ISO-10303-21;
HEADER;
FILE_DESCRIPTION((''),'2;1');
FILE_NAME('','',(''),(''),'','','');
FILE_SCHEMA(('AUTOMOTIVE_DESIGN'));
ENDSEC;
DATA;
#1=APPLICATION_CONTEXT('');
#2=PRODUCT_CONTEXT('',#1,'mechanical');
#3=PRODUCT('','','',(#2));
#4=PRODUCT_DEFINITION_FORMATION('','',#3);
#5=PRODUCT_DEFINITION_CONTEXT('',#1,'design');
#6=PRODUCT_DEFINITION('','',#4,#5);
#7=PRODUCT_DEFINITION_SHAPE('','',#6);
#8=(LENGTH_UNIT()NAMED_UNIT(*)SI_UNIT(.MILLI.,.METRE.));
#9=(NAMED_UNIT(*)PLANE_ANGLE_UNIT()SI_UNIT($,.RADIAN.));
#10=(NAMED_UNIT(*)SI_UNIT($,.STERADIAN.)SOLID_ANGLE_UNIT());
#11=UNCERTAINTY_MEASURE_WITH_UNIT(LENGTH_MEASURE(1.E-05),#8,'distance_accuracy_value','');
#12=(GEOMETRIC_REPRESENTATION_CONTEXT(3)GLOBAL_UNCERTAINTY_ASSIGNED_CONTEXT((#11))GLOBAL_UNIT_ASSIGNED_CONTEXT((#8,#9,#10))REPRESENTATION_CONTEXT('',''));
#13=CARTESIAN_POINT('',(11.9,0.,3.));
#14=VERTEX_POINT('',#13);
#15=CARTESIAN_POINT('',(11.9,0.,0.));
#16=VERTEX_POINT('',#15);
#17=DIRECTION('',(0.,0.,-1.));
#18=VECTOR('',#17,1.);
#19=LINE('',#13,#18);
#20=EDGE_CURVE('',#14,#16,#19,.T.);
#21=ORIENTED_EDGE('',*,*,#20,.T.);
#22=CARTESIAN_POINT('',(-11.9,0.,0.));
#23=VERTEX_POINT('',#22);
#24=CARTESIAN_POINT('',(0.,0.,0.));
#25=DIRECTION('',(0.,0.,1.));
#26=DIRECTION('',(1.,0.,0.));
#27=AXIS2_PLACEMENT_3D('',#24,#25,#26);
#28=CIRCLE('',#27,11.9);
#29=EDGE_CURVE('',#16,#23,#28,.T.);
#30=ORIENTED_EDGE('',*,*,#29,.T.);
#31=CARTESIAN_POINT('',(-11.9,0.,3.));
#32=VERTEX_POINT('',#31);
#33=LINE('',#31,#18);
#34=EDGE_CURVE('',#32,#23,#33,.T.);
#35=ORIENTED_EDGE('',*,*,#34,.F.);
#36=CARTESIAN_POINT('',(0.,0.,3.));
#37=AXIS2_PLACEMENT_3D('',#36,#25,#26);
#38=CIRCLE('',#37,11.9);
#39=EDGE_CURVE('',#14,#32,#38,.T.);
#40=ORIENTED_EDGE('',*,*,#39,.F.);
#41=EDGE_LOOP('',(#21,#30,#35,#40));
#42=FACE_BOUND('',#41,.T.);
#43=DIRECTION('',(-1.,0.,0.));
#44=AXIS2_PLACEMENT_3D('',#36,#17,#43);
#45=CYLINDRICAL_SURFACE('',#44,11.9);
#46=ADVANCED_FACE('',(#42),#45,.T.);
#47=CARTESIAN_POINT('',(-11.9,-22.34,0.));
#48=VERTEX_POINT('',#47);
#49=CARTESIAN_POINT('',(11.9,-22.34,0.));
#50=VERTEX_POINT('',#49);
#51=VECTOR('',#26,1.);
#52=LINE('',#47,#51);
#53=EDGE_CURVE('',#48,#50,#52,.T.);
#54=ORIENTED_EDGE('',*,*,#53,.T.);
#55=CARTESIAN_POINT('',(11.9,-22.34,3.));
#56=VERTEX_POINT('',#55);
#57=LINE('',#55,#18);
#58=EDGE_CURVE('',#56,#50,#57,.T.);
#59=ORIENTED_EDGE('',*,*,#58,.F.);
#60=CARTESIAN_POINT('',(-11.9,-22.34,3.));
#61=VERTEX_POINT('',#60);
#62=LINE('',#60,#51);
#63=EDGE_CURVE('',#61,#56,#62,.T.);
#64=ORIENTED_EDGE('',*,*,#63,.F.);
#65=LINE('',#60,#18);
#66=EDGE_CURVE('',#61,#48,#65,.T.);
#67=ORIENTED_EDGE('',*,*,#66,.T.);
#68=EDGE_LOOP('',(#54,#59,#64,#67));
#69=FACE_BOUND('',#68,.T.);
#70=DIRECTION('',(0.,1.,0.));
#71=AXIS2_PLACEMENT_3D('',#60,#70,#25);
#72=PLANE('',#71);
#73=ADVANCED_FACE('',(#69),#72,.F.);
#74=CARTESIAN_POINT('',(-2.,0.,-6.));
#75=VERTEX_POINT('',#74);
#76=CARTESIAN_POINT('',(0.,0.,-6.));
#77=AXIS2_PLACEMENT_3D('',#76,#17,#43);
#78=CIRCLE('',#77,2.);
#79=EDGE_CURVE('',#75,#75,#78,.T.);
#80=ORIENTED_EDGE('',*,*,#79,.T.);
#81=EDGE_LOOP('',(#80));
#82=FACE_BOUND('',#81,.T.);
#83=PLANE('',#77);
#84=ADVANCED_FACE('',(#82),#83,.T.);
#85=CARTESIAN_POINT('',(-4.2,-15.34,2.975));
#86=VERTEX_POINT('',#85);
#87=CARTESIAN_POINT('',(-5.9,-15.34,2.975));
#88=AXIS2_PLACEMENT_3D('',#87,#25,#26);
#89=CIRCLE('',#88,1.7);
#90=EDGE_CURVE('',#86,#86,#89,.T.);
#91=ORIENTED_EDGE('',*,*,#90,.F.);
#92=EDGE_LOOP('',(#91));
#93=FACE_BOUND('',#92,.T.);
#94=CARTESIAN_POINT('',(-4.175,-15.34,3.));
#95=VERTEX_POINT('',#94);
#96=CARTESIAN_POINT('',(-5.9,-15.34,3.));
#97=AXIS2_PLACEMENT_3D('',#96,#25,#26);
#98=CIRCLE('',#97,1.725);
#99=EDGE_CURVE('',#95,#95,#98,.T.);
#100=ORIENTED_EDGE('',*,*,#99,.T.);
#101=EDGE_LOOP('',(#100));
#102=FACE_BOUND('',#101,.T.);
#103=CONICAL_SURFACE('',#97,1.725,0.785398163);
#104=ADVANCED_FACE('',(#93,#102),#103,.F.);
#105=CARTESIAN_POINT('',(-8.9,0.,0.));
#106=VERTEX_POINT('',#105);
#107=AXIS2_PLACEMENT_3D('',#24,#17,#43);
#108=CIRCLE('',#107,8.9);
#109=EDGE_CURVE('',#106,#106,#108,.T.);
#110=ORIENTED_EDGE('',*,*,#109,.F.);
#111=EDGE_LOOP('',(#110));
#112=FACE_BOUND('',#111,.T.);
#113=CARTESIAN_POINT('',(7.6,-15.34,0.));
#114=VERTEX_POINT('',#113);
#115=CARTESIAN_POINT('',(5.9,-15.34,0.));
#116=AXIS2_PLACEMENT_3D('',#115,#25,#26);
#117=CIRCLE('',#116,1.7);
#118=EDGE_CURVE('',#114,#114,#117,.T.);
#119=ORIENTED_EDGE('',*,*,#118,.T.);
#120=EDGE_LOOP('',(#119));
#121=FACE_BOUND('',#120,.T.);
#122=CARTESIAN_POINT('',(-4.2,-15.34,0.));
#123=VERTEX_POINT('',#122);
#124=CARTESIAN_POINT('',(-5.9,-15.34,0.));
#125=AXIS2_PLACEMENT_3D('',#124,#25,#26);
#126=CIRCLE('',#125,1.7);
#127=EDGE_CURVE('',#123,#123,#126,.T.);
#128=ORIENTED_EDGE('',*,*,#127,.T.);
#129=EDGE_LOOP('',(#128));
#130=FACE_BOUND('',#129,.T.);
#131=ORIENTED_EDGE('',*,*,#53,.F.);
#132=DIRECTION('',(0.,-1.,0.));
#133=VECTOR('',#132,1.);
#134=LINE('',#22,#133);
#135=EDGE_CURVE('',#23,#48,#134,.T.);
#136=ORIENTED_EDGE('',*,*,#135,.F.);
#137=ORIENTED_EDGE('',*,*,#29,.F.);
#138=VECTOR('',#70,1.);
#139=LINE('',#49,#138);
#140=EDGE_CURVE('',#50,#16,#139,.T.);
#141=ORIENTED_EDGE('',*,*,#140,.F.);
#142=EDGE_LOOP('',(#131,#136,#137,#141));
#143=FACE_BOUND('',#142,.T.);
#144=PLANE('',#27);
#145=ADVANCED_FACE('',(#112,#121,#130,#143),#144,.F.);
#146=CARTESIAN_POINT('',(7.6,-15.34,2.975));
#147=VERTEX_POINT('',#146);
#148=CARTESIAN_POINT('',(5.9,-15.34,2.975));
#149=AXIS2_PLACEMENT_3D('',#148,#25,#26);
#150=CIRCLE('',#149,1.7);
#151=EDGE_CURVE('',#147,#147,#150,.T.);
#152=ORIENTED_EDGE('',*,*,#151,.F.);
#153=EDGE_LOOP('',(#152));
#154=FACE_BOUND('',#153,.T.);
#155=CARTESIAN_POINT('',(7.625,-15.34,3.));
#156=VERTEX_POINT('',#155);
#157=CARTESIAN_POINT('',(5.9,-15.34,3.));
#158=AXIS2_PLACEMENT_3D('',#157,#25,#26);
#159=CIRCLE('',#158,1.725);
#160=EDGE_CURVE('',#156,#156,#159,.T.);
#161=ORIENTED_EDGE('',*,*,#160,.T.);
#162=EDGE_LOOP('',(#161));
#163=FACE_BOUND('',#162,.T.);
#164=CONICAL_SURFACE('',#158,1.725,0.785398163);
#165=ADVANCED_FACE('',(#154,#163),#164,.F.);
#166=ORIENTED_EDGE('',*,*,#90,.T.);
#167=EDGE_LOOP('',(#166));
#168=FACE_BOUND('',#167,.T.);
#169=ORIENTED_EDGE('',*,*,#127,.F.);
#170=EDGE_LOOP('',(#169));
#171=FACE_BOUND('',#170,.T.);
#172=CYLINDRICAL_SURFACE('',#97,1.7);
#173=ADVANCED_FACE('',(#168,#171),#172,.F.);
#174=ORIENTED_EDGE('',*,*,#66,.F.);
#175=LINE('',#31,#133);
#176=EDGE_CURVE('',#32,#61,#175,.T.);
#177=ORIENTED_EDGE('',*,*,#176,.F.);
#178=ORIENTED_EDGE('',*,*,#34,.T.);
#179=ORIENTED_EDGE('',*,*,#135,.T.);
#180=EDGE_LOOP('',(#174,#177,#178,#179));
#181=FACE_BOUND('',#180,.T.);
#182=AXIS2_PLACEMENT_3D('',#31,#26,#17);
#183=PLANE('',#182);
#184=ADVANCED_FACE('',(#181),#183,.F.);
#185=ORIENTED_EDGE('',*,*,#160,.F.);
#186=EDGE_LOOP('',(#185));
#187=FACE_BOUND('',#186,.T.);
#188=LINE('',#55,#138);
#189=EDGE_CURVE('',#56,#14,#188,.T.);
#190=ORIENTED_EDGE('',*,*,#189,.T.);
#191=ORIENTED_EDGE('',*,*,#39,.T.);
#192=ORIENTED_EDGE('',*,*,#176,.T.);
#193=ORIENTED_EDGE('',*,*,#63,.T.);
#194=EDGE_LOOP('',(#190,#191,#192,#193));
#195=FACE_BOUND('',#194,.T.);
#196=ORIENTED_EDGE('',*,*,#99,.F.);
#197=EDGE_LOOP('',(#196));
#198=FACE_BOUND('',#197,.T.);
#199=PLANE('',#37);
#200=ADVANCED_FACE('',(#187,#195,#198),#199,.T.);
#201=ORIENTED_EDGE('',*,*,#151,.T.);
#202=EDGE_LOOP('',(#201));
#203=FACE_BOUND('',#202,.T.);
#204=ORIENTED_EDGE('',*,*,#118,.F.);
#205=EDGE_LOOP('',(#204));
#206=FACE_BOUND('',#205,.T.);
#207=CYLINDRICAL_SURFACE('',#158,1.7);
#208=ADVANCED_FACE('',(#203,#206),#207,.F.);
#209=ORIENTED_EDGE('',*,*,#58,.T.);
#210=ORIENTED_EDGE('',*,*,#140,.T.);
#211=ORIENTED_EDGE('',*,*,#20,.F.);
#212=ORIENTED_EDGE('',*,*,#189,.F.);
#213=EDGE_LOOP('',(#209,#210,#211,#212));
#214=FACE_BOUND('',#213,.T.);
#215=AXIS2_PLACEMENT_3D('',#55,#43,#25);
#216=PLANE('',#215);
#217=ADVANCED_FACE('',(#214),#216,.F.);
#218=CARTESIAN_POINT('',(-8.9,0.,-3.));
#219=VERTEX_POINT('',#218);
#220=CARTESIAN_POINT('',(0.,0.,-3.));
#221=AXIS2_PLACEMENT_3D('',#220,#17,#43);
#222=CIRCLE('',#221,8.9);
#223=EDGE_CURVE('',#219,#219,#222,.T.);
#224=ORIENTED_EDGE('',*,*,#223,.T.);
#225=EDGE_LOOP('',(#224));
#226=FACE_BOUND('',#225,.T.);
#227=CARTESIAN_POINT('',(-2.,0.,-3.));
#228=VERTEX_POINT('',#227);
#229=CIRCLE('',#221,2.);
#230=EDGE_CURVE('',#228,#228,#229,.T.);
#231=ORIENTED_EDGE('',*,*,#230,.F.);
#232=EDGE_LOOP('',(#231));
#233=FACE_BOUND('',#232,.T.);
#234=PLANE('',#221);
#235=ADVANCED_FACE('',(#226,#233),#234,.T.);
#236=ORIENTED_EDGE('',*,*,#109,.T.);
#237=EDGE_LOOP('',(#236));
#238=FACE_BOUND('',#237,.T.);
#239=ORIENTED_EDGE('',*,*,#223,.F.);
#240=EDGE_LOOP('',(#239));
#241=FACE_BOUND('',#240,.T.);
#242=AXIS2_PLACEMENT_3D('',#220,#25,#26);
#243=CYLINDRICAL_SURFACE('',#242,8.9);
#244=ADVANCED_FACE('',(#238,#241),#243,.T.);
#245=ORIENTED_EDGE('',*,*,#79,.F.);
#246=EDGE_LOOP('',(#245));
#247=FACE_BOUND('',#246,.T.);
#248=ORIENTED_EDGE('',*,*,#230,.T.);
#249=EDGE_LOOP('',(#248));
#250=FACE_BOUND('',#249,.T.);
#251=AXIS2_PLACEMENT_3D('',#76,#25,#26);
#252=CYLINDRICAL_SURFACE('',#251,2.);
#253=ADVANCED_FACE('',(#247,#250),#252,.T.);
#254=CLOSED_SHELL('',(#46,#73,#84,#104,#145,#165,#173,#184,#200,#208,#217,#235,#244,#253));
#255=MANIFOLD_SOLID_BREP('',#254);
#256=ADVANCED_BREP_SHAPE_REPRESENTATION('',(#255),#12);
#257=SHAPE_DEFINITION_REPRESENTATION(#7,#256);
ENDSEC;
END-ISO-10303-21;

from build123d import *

# Parameters (mm, degrees)
BOSS_EXTRUDE1_DEPTH            = 3
SKETCH2_R                      = 8.9
BOSS_EXTRUDE2_DEPTH            = 3
SKETCH3_R                      = 2
BOSS_EXTRUDE3_DEPTH            = 3
M3_CLEARANCE_HOLE1_D           = 3.4
M3_CLEARANCE_HOLE1_CSINK_D     = 3.45
M3_CLEARANCE_HOLE1_CSINK_ANGLE = 90


with BuildPart() as part:
    # Sketch1 → Boss-Extrude1 (new body)
    with BuildSketch(Plane.XY):
        with BuildLine():
            Line((-11.9, 0), (-11.9, -22.34))
            Line((-11.9, -22.34), (11.9, -22.34))
            Line((11.9, -22.34), (11.9, 0))
            ThreePointArc((11.9, 0), (0, 11.9), (-11.9, 0))
        make_face()
    extrude(amount=BOSS_EXTRUDE1_DEPTH)

    # Sketch2 → Boss-Extrude2 (add)
    with BuildSketch(Plane(origin=(0, 0, 0), x_dir=(-1, 0, 0), z_dir=(0, 0, -1))):
        Circle(SKETCH2_R)
    extrude(amount=BOSS_EXTRUDE2_DEPTH)

    # Sketch3 → Boss-Extrude3 (add)
    with BuildSketch(Plane(origin=(0, 0, -3), x_dir=(-1, 0, 0), z_dir=(0, 0, -1))):
        Circle(SKETCH3_R)
    extrude(amount=BOSS_EXTRUDE3_DEPTH)

    # M3 Clearance Hole1 (through all)
    with Locations(Plane(origin=(-5.9, -15.34, 3), x_dir=(1, 0, 0), z_dir=(0, 0, 1))):
        with Locations((0, 0), (11.8, 0)):
            CounterSinkHole(M3_CLEARANCE_HOLE1_D / 2, M3_CLEARANCE_HOLE1_CSINK_D / 2, counter_sink_angle=M3_CLEARANCE_HOLE1_CSINK_ANGLE)


solid = part.part
